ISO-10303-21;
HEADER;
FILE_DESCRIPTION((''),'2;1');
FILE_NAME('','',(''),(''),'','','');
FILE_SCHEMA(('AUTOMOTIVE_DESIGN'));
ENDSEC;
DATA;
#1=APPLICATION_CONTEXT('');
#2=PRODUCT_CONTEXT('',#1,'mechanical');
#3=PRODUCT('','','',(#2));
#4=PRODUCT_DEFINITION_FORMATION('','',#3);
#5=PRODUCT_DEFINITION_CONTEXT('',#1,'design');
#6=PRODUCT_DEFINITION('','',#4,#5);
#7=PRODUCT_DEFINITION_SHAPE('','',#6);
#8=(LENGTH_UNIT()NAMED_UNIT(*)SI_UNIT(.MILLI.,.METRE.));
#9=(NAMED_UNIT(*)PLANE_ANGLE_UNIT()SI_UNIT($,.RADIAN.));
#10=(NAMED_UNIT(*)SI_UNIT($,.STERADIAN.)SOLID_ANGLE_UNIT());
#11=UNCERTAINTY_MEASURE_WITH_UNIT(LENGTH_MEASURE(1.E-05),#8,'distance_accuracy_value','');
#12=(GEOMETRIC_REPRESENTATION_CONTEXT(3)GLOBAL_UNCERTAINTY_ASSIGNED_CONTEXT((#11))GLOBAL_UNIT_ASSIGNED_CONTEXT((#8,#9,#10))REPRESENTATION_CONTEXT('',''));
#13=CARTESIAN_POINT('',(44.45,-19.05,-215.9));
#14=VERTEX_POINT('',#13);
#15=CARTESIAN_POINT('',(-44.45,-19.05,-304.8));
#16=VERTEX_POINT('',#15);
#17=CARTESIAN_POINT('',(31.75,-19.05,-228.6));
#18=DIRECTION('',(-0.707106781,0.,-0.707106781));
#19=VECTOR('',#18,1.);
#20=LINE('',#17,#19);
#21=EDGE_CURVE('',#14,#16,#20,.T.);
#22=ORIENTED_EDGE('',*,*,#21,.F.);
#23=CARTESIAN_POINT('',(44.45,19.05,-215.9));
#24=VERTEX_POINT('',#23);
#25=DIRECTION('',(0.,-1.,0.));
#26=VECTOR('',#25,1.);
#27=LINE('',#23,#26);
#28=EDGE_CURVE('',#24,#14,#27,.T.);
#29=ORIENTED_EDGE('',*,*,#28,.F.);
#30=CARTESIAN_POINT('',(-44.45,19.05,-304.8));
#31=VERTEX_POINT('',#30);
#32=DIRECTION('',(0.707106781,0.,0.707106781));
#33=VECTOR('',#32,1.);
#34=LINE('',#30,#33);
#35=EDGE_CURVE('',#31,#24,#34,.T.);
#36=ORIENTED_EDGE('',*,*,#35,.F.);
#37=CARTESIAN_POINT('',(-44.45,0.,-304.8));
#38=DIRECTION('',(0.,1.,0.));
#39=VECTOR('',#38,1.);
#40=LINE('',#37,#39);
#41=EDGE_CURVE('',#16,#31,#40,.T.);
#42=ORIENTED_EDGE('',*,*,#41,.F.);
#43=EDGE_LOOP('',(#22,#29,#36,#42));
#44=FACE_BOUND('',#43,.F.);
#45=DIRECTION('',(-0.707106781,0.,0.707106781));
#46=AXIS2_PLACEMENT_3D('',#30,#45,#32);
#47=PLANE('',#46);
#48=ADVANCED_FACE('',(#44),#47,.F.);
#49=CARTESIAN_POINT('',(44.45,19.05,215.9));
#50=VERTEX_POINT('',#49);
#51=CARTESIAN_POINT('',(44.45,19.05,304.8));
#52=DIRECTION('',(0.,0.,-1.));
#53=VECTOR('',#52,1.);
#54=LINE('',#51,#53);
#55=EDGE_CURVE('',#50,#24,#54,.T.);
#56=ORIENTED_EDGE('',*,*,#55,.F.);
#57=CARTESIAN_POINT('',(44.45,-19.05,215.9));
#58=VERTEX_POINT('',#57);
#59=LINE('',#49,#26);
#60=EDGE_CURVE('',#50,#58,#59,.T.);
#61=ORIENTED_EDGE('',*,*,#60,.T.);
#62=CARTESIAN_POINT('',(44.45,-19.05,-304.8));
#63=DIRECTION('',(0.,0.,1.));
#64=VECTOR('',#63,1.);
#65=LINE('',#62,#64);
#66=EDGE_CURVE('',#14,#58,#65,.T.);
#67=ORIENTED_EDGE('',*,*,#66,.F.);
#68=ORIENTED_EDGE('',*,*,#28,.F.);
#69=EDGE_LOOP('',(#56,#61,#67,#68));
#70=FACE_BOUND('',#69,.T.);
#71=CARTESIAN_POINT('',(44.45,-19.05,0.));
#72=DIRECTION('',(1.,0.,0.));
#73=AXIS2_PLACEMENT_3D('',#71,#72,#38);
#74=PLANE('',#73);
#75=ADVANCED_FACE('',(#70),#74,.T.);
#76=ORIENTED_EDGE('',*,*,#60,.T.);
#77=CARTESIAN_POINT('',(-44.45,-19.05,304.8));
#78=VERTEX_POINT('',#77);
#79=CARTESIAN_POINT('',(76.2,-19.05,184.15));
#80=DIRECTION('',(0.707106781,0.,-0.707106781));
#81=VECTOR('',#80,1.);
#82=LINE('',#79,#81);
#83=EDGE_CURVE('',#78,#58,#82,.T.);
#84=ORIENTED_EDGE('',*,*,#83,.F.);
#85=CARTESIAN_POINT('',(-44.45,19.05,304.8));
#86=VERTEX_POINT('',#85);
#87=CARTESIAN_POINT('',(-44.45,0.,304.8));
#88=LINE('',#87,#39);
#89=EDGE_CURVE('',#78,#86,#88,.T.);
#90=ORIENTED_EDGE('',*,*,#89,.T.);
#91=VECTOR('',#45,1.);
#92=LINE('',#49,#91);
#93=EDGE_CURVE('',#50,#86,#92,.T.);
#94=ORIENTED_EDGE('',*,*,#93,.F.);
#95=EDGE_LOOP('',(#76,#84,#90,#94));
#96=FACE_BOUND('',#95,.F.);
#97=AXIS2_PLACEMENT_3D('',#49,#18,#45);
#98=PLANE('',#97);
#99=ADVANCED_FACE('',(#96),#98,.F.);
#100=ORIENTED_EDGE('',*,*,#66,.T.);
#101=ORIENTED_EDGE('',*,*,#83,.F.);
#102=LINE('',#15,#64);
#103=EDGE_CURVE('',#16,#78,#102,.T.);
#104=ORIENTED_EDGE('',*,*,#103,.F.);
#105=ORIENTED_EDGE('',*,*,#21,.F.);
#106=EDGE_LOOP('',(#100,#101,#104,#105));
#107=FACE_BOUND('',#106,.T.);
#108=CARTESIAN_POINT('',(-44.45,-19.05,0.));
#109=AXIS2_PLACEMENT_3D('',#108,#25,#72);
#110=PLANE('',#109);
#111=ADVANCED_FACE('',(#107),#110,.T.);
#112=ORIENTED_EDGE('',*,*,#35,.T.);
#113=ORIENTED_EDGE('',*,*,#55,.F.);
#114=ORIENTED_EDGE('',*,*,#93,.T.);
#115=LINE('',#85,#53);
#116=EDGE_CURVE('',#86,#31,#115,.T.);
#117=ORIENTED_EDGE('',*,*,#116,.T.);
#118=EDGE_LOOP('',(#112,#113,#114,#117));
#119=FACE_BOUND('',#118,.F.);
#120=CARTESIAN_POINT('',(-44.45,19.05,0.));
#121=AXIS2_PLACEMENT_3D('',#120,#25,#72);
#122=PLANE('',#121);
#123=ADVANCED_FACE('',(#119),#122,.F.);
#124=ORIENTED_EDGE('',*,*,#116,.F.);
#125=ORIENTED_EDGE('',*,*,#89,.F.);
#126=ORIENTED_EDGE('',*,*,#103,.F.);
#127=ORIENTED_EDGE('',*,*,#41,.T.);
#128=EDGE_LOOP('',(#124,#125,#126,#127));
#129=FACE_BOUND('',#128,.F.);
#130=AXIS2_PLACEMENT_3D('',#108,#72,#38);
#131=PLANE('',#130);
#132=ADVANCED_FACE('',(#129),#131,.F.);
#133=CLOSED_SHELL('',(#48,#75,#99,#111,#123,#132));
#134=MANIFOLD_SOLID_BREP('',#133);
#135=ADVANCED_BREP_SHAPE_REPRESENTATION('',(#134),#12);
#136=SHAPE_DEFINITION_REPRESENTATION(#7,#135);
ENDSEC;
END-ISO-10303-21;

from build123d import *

# Parameters (mm, degrees)
F0_W     = 88.9
F0_H     = 38.1
F1_DEPTH = 304.8
F3_DEPTH = 38.101


with BuildPart() as f1:
    # F0 (on Top) → F1 (new body, symmetric)
    with BuildSketch(Plane.XY):
        Rectangle(F0_W, F0_H)
    extrude(amount=F1_DEPTH, both=True)

    # F2 (on face) → F3 (cut, through all)
    with BuildSketch(Plane(origin=(0, 19.05, 0), x_dir=(-1, 0, 0), z_dir=(0, 1, 0))):
        Polygon((-44.45, 215.9), (44.45, 304.8), (-44.45, 304.8), align=None)
        Polygon((-44.45, -304.8), (44.45, -304.8), (-44.45, -215.9), align=None)
    extrude(amount=-F3_DEPTH, mode=Mode.SUBTRACT)


solid = f1.part
